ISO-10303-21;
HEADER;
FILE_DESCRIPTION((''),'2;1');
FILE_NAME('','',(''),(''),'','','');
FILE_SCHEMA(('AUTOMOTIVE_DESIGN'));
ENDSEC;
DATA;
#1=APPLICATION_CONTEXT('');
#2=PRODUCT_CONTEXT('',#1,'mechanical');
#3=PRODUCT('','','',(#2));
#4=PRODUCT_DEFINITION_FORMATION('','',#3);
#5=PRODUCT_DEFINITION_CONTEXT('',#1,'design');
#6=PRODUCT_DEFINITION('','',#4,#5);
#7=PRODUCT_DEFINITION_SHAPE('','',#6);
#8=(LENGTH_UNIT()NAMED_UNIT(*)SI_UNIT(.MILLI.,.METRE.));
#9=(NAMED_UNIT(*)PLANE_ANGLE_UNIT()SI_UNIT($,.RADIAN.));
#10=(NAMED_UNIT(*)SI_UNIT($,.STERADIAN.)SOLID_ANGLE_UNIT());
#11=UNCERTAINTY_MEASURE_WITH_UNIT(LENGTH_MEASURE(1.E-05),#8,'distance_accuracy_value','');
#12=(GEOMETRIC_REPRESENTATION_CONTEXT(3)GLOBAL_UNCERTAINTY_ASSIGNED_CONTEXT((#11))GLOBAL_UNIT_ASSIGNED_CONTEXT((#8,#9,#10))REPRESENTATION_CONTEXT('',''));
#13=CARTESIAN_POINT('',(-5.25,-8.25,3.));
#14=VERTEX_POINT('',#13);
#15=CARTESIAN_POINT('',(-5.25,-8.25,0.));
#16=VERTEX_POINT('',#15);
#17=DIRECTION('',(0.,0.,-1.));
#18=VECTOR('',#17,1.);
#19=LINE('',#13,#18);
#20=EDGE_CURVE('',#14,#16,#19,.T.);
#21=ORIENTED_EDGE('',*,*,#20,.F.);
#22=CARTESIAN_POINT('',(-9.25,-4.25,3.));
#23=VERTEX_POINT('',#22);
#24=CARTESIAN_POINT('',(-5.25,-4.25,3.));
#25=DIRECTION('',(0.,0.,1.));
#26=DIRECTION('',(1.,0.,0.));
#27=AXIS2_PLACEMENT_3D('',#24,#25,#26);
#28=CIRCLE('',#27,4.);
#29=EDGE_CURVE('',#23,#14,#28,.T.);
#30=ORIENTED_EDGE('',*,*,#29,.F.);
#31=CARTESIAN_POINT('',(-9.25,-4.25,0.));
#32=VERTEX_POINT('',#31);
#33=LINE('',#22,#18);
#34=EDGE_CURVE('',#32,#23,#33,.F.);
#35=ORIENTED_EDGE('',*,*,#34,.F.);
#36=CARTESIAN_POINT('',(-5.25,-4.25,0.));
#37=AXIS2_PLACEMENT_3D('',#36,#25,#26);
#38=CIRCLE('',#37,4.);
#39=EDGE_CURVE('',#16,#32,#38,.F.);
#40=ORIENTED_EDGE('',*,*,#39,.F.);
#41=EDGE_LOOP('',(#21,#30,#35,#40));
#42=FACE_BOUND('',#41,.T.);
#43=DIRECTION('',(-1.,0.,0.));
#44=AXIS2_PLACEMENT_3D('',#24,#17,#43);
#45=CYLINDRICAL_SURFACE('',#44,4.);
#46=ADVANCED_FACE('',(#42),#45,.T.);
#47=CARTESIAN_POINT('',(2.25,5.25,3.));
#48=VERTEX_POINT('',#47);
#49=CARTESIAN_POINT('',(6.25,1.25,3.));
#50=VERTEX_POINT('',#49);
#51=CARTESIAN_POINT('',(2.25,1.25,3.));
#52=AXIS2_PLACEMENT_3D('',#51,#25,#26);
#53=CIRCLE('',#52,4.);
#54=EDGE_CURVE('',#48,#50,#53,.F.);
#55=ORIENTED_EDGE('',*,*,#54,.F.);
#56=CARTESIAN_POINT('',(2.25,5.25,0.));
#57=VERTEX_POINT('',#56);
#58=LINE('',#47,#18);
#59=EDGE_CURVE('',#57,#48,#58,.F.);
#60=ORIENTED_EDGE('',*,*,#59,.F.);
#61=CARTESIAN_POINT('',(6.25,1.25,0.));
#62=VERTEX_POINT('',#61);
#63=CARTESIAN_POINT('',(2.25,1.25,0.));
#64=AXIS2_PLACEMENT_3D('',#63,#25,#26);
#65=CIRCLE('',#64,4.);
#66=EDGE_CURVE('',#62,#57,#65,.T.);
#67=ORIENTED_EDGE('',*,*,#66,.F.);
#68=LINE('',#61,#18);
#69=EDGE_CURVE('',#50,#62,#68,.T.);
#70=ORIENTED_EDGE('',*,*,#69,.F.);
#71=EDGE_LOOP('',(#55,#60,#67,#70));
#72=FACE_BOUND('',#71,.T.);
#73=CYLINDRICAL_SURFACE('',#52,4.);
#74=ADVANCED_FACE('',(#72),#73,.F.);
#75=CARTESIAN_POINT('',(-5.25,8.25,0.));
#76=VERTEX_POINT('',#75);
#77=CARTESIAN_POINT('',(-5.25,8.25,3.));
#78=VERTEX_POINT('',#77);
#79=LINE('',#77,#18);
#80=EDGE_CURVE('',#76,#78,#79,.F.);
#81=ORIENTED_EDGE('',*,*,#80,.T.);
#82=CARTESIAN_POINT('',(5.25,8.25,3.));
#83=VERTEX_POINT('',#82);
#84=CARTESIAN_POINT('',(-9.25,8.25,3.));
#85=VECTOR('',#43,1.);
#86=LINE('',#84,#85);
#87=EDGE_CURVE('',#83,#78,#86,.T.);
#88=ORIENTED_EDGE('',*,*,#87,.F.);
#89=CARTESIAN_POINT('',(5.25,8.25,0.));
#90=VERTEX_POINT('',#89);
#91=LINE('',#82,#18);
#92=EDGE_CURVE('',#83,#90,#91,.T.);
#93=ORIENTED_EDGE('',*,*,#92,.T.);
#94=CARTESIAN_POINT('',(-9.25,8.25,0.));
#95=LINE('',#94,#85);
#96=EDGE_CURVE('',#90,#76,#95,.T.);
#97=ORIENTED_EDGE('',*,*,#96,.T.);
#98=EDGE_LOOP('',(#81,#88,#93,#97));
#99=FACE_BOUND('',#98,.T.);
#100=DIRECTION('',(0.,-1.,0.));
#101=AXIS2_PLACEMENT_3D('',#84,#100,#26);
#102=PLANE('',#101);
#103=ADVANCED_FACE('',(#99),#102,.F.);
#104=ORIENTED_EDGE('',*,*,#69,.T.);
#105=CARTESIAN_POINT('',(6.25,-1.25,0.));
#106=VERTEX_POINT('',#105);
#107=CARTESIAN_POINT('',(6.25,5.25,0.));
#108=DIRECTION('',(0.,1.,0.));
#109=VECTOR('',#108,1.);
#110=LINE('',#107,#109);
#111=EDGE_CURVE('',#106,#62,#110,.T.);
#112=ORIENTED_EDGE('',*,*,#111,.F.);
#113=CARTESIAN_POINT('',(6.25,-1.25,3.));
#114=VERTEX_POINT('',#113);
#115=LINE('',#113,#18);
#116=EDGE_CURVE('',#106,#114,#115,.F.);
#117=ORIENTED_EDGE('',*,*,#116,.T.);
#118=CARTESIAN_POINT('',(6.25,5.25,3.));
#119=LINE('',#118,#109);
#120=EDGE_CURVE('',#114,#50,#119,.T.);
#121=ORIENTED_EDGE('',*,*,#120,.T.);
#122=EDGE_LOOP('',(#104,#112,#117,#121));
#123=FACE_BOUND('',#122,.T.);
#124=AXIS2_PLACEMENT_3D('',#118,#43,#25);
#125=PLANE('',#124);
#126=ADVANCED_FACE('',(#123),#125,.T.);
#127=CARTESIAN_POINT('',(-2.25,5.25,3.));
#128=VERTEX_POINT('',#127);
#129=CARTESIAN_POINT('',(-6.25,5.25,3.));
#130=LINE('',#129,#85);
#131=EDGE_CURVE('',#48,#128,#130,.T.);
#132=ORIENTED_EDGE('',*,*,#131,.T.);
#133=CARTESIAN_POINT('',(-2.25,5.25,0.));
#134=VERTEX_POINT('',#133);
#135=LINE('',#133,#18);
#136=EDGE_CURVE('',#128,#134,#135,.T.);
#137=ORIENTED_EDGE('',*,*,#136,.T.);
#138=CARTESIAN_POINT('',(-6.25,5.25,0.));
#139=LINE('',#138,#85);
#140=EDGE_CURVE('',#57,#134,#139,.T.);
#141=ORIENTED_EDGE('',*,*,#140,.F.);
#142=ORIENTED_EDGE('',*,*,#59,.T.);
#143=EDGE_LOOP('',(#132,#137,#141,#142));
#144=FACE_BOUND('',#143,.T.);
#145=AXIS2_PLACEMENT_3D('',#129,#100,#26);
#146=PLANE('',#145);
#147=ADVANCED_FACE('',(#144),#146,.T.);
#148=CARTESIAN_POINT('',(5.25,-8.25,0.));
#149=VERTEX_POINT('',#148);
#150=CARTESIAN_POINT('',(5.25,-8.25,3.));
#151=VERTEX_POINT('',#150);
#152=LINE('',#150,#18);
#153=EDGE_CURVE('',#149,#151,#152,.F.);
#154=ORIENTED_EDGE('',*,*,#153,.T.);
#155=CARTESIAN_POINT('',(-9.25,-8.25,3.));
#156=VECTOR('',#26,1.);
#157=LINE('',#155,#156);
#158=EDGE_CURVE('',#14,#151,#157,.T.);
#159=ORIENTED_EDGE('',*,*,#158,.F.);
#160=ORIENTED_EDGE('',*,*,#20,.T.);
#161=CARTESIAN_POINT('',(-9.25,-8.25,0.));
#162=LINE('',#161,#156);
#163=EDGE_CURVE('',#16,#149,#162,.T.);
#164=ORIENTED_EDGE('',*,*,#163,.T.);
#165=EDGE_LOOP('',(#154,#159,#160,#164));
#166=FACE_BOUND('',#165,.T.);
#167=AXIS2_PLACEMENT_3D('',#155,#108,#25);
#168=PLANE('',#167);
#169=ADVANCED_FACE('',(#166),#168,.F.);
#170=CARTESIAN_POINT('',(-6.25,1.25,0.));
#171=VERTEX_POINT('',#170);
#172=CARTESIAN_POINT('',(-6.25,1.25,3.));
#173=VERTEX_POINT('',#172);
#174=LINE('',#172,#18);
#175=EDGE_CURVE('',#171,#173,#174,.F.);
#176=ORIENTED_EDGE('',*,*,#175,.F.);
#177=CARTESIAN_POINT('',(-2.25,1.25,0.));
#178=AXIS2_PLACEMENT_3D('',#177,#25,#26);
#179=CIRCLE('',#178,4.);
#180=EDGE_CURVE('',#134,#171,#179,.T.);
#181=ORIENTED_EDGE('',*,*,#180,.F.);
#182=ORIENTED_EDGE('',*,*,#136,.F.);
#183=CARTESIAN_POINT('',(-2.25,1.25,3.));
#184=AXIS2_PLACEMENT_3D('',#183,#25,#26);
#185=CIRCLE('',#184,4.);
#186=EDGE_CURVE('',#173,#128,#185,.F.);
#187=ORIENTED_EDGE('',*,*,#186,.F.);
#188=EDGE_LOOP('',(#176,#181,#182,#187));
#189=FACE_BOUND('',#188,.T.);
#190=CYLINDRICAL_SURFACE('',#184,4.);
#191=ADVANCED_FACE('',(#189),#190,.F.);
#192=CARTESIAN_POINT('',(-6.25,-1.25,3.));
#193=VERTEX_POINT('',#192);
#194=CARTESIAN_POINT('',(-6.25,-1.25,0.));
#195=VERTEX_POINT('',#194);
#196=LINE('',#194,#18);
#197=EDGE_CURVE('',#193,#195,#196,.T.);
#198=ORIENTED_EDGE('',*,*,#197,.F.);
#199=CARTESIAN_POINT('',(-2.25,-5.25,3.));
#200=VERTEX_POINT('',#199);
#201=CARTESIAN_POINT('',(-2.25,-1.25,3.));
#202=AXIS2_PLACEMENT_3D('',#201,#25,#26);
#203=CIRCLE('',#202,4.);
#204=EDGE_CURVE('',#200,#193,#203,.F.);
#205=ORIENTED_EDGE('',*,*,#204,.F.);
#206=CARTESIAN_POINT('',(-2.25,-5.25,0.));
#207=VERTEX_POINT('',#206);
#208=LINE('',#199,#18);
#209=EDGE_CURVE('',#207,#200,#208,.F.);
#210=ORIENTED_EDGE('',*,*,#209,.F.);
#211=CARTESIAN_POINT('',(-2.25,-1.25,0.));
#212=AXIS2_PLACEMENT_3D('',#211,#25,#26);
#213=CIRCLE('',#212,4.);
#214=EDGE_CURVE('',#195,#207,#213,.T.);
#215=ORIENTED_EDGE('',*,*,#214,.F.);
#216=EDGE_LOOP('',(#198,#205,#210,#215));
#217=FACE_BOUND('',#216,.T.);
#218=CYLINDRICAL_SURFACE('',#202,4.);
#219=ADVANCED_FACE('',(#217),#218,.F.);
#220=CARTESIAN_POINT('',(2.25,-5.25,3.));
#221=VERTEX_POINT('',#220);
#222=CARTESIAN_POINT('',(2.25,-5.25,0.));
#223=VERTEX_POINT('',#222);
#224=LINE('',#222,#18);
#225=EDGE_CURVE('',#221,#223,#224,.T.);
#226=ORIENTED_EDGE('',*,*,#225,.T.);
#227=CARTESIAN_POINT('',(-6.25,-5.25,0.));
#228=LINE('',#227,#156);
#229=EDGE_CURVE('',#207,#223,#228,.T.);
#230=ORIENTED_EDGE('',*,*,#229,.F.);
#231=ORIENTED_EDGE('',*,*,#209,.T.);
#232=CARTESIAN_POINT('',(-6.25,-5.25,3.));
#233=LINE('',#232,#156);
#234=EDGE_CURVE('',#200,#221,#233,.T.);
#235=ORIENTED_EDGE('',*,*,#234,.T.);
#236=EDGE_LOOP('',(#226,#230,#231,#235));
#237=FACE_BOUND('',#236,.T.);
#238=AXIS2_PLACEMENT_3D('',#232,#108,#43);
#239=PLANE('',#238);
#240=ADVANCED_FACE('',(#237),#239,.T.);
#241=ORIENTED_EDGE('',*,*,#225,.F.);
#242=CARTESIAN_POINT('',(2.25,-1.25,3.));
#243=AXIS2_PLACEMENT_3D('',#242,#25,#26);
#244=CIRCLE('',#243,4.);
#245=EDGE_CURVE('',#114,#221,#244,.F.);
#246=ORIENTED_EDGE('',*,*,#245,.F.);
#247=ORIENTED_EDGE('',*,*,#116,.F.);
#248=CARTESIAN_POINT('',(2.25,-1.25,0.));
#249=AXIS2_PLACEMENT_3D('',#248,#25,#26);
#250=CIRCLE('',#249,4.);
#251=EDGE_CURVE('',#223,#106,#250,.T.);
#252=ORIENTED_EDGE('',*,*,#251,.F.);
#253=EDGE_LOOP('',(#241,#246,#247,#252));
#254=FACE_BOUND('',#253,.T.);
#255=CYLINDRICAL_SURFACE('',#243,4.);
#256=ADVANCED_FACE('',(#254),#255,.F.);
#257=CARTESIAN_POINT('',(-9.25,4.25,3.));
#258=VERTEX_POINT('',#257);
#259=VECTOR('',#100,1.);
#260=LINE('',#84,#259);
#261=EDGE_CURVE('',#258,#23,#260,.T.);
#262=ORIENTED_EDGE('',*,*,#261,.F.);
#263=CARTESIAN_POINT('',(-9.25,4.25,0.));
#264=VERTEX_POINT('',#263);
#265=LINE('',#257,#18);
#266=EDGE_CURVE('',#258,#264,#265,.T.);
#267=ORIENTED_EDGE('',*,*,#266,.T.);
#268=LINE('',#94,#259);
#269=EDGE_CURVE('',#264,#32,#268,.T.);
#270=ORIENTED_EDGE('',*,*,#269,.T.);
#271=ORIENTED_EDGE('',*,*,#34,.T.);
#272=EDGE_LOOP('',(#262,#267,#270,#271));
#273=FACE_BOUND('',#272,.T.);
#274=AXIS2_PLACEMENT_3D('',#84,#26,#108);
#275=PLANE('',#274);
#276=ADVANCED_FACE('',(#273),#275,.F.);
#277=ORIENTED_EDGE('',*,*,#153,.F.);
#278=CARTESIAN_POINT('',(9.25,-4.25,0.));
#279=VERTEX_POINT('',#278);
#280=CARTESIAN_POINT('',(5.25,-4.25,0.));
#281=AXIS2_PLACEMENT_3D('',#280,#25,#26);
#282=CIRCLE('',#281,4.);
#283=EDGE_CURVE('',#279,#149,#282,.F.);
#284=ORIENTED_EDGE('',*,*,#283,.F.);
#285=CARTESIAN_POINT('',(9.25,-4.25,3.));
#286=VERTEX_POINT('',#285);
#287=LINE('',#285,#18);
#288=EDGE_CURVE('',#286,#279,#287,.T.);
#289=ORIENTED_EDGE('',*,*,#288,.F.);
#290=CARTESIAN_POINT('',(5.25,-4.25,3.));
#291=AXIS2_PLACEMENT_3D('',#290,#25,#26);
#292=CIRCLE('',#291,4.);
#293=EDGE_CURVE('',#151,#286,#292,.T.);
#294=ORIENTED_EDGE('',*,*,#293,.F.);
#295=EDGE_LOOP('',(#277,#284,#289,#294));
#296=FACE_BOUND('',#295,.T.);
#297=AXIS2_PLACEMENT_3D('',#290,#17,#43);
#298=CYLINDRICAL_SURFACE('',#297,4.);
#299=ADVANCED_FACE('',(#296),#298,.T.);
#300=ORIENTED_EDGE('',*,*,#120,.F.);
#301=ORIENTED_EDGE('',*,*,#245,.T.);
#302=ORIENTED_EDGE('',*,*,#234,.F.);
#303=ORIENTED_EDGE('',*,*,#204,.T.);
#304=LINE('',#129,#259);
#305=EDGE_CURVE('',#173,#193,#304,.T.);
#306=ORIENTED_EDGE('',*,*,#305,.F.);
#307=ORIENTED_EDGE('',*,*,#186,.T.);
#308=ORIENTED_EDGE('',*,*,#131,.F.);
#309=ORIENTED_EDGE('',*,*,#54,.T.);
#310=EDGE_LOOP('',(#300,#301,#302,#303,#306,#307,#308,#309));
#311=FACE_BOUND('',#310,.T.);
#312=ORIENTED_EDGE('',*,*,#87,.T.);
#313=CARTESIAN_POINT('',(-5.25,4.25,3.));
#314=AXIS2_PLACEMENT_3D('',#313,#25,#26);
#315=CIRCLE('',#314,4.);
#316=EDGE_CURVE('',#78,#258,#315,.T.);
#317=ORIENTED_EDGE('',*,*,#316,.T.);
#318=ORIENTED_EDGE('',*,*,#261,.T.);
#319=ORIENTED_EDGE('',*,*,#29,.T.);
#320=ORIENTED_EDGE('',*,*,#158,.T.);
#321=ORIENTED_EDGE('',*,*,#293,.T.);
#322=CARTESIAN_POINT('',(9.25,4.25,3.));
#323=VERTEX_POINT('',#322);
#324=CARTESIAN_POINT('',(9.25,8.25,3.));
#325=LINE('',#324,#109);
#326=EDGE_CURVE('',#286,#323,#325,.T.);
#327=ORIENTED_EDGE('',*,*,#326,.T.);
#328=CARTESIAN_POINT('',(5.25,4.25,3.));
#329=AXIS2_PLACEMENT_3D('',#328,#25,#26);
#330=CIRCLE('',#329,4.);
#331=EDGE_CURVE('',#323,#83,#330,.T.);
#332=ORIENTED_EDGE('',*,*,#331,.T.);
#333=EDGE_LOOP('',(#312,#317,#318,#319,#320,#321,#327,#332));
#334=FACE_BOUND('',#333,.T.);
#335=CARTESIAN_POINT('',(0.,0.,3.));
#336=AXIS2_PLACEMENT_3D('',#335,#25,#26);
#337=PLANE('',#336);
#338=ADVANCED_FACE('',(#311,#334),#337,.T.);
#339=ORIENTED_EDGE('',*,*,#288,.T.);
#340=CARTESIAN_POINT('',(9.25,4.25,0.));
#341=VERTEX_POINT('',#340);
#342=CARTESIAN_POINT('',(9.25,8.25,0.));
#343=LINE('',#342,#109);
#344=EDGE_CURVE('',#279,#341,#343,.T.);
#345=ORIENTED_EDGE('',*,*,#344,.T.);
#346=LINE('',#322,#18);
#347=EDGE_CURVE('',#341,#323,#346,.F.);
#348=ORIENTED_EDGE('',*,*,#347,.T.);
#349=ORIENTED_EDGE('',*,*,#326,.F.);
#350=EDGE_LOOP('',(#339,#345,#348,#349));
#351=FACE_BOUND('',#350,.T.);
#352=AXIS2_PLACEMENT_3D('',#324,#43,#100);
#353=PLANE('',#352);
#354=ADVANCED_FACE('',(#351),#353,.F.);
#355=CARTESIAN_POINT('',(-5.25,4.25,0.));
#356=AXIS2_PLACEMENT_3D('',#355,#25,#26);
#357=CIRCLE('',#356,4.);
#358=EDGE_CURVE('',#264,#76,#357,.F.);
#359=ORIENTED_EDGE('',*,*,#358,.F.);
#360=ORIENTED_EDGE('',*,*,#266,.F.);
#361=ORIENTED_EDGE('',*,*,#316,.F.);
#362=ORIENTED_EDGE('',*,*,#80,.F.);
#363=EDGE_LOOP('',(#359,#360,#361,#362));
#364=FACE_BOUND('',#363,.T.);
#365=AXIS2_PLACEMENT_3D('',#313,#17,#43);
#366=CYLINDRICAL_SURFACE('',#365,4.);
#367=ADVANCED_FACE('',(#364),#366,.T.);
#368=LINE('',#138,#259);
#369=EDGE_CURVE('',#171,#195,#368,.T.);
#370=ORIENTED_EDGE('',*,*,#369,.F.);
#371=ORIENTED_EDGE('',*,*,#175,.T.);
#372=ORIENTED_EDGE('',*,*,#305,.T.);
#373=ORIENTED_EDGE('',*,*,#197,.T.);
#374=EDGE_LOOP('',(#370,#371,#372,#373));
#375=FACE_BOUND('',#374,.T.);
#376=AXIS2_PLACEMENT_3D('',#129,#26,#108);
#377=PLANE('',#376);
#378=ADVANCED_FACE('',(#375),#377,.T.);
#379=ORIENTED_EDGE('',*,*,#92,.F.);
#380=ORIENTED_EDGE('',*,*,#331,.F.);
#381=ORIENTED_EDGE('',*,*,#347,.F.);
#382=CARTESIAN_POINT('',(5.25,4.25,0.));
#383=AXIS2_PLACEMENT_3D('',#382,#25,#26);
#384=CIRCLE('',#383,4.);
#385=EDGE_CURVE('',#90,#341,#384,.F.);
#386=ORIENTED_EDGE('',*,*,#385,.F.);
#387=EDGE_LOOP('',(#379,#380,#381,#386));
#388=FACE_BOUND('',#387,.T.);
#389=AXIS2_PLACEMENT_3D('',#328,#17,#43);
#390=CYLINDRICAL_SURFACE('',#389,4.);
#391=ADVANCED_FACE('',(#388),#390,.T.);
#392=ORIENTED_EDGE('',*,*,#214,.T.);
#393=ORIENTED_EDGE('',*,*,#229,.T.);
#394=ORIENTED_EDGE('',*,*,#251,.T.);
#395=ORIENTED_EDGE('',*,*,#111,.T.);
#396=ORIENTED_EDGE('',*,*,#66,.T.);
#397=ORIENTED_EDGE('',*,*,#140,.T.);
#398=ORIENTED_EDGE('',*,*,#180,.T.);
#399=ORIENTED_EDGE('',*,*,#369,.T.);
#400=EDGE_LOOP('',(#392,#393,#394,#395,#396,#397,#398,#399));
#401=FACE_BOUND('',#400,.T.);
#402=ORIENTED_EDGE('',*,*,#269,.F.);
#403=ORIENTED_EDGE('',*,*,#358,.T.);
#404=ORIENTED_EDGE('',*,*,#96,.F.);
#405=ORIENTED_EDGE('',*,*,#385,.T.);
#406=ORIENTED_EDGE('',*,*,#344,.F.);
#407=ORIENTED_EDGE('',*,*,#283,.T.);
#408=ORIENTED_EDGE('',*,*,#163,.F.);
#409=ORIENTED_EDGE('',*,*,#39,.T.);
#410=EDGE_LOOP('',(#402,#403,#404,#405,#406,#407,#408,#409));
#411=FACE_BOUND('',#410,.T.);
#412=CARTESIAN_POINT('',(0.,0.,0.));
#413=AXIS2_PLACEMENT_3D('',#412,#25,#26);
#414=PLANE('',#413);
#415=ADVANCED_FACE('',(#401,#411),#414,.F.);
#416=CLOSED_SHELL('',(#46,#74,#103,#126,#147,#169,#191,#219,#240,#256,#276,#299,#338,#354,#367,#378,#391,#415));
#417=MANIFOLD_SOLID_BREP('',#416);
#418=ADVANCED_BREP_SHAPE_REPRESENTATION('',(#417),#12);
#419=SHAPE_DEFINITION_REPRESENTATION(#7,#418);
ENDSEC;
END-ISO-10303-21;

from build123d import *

# Parameters (mm, degrees)
SKETCH1_W           = 18.5
SKETCH1_H           = 16.5
SKETCH1_W_2         = 12.5
SKETCH1_H_2         = 10.5
BOSS_EXTRUDE1_DEPTH = 3
FILLET1_R           = 4


with BuildPart() as part:
    # Sketch1 → Boss-Extrude1 (new body)
    with BuildSketch(Plane.XY):
        Rectangle(SKETCH1_W, SKETCH1_H)
        Rectangle(SKETCH1_W_2, SKETCH1_H_2, mode=Mode.SUBTRACT)
    extrude(amount=BOSS_EXTRUDE1_DEPTH)

    # Fillet1
    fillet1_edges = [part.edges().sort_by_distance(p)[0] for p in [
        (6.25, -5.25, 1.5),
        (6.25, 5.25, 1.5),
        (-6.25, 5.25, 1.5),
        (-6.25, -5.25, 1.5),
        (9.25, -8.25, 1.5),
        (-9.25, -8.25, 1.5),
        (-9.25, 8.25, 1.5),
        (9.25, 8.25, 1.5),
    ]]
    fillet(fillet1_edges, radius=FILLET1_R)


solid = part.part
